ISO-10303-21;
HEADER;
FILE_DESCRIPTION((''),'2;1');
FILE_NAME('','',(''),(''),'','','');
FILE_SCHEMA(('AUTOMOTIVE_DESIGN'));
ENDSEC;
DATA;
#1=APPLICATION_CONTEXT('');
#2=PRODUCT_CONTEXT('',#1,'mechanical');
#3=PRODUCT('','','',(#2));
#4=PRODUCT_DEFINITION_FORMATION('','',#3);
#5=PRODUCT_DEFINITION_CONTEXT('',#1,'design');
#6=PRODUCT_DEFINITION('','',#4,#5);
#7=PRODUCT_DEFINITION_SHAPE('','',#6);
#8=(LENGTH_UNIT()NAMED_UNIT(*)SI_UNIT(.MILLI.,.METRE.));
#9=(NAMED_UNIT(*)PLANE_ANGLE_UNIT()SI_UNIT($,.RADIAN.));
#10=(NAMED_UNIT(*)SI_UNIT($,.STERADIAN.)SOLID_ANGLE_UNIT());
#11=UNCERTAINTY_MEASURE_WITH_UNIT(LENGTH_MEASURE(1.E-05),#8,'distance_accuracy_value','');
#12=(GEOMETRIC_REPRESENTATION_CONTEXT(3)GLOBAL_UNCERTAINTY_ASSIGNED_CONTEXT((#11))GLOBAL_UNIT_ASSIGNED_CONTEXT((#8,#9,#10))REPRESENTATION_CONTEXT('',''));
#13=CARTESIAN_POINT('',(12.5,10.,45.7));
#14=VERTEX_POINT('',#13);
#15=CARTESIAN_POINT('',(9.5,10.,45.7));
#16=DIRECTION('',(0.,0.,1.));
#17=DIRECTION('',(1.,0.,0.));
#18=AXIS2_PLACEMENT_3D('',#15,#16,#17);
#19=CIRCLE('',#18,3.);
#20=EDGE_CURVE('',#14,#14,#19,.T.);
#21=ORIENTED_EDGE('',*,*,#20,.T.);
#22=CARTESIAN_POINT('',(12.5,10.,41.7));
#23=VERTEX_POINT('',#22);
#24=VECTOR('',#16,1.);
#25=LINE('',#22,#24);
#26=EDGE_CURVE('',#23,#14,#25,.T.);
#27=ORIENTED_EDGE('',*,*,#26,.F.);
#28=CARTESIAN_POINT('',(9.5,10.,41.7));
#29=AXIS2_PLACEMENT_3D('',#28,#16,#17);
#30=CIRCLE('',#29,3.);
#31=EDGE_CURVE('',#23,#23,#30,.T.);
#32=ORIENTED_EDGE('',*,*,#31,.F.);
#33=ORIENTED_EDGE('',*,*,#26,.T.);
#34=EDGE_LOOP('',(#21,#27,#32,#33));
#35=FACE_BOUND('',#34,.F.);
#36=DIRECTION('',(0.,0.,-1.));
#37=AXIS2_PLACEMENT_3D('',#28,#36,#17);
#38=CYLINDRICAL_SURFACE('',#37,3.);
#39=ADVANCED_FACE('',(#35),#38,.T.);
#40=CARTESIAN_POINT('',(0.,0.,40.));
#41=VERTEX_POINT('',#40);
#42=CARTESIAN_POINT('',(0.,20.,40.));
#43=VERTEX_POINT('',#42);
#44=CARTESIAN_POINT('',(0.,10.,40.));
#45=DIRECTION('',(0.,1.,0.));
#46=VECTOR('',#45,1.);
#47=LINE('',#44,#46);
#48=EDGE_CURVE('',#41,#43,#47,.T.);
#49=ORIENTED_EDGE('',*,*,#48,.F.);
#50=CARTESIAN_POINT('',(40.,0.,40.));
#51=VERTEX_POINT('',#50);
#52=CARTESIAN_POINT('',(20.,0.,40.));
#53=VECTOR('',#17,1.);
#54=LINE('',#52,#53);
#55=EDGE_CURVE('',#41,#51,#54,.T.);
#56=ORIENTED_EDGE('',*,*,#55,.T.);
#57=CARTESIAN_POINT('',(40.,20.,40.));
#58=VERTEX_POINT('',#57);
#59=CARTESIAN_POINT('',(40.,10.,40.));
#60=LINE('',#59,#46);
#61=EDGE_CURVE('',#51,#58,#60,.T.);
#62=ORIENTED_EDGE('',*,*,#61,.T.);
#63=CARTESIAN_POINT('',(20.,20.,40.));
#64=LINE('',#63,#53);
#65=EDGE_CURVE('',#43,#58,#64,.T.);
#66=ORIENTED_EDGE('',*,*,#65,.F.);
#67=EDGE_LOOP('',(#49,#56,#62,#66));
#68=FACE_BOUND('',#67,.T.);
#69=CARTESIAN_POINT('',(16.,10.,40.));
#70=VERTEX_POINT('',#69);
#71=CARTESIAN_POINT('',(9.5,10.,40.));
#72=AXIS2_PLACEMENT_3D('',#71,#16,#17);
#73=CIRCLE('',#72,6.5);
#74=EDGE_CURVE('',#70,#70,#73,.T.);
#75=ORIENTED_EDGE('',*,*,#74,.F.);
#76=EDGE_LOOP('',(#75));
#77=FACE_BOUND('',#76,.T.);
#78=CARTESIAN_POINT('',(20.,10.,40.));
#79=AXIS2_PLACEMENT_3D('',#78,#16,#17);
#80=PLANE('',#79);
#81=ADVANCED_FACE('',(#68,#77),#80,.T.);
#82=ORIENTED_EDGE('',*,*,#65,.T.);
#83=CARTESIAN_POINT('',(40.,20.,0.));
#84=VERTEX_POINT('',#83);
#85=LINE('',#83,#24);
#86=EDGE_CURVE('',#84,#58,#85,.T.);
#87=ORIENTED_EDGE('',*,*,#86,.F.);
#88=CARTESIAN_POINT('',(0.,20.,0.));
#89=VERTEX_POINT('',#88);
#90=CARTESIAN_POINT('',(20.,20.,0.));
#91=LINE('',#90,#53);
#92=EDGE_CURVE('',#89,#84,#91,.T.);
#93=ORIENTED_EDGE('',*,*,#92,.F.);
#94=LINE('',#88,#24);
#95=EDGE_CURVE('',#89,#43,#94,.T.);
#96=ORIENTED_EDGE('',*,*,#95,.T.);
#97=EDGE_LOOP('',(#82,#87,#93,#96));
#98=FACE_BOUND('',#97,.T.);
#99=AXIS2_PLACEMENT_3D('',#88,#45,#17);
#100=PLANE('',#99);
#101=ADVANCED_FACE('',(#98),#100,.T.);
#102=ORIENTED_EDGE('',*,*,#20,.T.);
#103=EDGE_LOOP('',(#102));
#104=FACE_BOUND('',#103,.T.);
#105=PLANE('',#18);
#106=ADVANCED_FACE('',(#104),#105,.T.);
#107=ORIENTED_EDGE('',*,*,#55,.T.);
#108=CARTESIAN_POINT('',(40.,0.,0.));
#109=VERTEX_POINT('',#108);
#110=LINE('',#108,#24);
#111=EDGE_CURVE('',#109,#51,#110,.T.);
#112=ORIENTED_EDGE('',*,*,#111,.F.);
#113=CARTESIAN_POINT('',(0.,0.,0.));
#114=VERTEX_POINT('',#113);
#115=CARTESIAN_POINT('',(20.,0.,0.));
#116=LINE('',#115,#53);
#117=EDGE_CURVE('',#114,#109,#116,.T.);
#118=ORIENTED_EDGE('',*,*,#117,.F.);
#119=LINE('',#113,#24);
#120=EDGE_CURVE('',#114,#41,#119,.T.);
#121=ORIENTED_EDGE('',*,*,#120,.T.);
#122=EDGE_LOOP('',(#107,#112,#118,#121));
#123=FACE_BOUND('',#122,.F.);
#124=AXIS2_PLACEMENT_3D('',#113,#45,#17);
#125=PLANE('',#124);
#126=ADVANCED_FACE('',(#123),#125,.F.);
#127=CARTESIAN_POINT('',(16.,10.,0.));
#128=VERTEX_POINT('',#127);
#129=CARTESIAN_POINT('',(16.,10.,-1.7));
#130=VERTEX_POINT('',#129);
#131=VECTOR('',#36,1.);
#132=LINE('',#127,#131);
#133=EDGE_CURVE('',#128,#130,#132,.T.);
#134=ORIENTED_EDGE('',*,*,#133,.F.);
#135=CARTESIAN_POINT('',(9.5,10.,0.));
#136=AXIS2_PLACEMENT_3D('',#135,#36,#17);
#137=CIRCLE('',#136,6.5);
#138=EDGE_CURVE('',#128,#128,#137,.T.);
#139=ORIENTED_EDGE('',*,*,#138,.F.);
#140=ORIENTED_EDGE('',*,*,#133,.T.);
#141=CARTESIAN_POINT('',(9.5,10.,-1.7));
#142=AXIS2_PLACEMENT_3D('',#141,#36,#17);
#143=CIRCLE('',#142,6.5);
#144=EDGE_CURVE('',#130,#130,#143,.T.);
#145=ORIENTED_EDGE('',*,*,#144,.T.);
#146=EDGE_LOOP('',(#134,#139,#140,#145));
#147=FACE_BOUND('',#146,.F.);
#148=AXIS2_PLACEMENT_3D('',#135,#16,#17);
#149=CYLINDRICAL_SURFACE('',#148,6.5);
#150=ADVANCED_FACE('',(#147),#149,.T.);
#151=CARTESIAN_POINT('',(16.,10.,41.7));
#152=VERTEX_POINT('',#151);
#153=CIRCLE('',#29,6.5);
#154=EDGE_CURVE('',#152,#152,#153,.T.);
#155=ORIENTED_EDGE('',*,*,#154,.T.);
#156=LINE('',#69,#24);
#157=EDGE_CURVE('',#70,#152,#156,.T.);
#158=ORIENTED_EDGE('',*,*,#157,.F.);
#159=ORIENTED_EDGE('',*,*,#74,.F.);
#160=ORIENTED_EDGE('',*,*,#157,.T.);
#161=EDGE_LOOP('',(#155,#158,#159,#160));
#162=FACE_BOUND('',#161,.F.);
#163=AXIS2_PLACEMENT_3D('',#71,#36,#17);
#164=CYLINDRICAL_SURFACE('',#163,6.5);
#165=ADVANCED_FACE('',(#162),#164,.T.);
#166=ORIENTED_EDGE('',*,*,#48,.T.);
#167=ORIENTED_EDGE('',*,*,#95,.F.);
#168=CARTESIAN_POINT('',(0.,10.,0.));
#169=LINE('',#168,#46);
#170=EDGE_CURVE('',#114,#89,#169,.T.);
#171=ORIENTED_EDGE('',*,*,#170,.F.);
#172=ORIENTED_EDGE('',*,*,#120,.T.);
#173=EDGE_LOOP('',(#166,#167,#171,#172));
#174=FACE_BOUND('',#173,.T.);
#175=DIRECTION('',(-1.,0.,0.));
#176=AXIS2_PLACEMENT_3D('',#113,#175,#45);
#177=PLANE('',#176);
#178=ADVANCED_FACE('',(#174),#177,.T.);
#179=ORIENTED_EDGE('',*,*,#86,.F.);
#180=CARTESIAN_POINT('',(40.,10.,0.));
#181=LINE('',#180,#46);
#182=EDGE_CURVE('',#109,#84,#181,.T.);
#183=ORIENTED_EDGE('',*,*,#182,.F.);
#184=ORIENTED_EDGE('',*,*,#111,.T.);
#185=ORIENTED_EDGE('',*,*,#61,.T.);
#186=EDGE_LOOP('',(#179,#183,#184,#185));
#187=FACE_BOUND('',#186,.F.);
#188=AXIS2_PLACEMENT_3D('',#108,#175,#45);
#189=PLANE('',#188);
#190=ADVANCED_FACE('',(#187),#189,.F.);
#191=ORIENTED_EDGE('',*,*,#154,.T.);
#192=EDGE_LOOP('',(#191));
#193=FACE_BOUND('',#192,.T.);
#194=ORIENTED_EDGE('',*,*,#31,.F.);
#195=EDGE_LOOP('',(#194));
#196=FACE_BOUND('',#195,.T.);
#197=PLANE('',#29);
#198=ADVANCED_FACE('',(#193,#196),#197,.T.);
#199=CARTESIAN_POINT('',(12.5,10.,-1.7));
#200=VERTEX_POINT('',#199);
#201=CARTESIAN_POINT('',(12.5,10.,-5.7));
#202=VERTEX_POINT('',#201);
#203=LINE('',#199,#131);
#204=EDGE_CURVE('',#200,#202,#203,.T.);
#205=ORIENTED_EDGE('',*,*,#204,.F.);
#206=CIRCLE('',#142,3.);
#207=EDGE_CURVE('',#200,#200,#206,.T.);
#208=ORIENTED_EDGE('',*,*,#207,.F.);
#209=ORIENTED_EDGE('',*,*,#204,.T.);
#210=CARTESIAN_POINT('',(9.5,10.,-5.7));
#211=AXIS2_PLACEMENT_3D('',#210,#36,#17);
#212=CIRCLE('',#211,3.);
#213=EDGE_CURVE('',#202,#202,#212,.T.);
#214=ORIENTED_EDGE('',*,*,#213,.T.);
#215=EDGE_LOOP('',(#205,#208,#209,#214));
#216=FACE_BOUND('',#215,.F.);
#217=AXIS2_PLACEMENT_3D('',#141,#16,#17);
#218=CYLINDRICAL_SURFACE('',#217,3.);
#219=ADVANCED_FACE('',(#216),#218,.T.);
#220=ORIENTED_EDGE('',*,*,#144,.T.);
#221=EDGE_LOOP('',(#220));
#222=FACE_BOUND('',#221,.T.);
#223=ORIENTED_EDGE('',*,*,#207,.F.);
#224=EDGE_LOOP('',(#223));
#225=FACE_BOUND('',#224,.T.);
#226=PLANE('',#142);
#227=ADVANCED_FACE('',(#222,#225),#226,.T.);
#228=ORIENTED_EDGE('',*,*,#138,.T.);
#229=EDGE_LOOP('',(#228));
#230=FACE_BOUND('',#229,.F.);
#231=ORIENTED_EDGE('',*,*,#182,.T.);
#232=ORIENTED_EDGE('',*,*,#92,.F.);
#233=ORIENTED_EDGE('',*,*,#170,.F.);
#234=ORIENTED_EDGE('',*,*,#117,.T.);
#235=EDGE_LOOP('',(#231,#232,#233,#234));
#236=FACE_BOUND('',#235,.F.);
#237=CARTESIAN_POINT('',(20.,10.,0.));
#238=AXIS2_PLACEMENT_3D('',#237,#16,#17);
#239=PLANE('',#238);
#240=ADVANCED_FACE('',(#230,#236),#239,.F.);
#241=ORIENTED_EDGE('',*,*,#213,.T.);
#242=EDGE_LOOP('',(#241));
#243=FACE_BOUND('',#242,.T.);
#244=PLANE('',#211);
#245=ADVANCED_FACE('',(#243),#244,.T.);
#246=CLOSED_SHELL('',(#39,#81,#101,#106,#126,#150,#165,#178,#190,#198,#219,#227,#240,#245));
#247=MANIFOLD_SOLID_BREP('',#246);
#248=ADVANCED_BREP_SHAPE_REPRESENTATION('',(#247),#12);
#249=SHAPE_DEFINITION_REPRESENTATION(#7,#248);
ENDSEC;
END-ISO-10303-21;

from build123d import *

# Parameters (mm, degrees)
F0_W     = 40
F0_H     = 20
F1_DEPTH = 40
F2_R     = 6.5
F3_DEPTH = 1.7
F4_R     = 3
F5_DEPTH = 4
F6_R     = 6.5
F7_DEPTH = 1.7
F8_R     = 3
F9_DEPTH = 4


with BuildPart() as f1:
    # F0 (on Top) → F1 (new body)
    with BuildSketch(Plane.XY):
        with Locations((20, 10)):
            Rectangle(F0_W, F0_H)
    extrude(amount=F1_DEPTH)

    # F2 (on face) → F3 (join)
    with BuildSketch(Plane.XY.offset(40)):
        with Locations((9.5, 10)):
            Circle(F2_R)
    extrude(amount=F3_DEPTH)

    # F4 (on face) → F5 (join)
    with BuildSketch(Plane.XY.offset(41.7)):
        with Locations((9.5, 10)):
            Circle(F4_R)
    extrude(amount=F5_DEPTH)

    # F6 (on face) → F7 (join)
    with BuildSketch(Plane(origin=(0, 0, 0), x_dir=(1, 0, 0), z_dir=(0, 0, -1))):
        with Locations((9.5, -10)):
            Circle(F6_R)
    extrude(amount=F7_DEPTH)

    # F8 (on face) → F9 (join)
    with BuildSketch(Plane(origin=(0, 0, -1.7), x_dir=(1, 0, 0), z_dir=(0, 0, -1))):
        with Locations((9.5, -10)):
            Circle(F8_R)
    extrude(amount=F9_DEPTH)


solid = f1.part
